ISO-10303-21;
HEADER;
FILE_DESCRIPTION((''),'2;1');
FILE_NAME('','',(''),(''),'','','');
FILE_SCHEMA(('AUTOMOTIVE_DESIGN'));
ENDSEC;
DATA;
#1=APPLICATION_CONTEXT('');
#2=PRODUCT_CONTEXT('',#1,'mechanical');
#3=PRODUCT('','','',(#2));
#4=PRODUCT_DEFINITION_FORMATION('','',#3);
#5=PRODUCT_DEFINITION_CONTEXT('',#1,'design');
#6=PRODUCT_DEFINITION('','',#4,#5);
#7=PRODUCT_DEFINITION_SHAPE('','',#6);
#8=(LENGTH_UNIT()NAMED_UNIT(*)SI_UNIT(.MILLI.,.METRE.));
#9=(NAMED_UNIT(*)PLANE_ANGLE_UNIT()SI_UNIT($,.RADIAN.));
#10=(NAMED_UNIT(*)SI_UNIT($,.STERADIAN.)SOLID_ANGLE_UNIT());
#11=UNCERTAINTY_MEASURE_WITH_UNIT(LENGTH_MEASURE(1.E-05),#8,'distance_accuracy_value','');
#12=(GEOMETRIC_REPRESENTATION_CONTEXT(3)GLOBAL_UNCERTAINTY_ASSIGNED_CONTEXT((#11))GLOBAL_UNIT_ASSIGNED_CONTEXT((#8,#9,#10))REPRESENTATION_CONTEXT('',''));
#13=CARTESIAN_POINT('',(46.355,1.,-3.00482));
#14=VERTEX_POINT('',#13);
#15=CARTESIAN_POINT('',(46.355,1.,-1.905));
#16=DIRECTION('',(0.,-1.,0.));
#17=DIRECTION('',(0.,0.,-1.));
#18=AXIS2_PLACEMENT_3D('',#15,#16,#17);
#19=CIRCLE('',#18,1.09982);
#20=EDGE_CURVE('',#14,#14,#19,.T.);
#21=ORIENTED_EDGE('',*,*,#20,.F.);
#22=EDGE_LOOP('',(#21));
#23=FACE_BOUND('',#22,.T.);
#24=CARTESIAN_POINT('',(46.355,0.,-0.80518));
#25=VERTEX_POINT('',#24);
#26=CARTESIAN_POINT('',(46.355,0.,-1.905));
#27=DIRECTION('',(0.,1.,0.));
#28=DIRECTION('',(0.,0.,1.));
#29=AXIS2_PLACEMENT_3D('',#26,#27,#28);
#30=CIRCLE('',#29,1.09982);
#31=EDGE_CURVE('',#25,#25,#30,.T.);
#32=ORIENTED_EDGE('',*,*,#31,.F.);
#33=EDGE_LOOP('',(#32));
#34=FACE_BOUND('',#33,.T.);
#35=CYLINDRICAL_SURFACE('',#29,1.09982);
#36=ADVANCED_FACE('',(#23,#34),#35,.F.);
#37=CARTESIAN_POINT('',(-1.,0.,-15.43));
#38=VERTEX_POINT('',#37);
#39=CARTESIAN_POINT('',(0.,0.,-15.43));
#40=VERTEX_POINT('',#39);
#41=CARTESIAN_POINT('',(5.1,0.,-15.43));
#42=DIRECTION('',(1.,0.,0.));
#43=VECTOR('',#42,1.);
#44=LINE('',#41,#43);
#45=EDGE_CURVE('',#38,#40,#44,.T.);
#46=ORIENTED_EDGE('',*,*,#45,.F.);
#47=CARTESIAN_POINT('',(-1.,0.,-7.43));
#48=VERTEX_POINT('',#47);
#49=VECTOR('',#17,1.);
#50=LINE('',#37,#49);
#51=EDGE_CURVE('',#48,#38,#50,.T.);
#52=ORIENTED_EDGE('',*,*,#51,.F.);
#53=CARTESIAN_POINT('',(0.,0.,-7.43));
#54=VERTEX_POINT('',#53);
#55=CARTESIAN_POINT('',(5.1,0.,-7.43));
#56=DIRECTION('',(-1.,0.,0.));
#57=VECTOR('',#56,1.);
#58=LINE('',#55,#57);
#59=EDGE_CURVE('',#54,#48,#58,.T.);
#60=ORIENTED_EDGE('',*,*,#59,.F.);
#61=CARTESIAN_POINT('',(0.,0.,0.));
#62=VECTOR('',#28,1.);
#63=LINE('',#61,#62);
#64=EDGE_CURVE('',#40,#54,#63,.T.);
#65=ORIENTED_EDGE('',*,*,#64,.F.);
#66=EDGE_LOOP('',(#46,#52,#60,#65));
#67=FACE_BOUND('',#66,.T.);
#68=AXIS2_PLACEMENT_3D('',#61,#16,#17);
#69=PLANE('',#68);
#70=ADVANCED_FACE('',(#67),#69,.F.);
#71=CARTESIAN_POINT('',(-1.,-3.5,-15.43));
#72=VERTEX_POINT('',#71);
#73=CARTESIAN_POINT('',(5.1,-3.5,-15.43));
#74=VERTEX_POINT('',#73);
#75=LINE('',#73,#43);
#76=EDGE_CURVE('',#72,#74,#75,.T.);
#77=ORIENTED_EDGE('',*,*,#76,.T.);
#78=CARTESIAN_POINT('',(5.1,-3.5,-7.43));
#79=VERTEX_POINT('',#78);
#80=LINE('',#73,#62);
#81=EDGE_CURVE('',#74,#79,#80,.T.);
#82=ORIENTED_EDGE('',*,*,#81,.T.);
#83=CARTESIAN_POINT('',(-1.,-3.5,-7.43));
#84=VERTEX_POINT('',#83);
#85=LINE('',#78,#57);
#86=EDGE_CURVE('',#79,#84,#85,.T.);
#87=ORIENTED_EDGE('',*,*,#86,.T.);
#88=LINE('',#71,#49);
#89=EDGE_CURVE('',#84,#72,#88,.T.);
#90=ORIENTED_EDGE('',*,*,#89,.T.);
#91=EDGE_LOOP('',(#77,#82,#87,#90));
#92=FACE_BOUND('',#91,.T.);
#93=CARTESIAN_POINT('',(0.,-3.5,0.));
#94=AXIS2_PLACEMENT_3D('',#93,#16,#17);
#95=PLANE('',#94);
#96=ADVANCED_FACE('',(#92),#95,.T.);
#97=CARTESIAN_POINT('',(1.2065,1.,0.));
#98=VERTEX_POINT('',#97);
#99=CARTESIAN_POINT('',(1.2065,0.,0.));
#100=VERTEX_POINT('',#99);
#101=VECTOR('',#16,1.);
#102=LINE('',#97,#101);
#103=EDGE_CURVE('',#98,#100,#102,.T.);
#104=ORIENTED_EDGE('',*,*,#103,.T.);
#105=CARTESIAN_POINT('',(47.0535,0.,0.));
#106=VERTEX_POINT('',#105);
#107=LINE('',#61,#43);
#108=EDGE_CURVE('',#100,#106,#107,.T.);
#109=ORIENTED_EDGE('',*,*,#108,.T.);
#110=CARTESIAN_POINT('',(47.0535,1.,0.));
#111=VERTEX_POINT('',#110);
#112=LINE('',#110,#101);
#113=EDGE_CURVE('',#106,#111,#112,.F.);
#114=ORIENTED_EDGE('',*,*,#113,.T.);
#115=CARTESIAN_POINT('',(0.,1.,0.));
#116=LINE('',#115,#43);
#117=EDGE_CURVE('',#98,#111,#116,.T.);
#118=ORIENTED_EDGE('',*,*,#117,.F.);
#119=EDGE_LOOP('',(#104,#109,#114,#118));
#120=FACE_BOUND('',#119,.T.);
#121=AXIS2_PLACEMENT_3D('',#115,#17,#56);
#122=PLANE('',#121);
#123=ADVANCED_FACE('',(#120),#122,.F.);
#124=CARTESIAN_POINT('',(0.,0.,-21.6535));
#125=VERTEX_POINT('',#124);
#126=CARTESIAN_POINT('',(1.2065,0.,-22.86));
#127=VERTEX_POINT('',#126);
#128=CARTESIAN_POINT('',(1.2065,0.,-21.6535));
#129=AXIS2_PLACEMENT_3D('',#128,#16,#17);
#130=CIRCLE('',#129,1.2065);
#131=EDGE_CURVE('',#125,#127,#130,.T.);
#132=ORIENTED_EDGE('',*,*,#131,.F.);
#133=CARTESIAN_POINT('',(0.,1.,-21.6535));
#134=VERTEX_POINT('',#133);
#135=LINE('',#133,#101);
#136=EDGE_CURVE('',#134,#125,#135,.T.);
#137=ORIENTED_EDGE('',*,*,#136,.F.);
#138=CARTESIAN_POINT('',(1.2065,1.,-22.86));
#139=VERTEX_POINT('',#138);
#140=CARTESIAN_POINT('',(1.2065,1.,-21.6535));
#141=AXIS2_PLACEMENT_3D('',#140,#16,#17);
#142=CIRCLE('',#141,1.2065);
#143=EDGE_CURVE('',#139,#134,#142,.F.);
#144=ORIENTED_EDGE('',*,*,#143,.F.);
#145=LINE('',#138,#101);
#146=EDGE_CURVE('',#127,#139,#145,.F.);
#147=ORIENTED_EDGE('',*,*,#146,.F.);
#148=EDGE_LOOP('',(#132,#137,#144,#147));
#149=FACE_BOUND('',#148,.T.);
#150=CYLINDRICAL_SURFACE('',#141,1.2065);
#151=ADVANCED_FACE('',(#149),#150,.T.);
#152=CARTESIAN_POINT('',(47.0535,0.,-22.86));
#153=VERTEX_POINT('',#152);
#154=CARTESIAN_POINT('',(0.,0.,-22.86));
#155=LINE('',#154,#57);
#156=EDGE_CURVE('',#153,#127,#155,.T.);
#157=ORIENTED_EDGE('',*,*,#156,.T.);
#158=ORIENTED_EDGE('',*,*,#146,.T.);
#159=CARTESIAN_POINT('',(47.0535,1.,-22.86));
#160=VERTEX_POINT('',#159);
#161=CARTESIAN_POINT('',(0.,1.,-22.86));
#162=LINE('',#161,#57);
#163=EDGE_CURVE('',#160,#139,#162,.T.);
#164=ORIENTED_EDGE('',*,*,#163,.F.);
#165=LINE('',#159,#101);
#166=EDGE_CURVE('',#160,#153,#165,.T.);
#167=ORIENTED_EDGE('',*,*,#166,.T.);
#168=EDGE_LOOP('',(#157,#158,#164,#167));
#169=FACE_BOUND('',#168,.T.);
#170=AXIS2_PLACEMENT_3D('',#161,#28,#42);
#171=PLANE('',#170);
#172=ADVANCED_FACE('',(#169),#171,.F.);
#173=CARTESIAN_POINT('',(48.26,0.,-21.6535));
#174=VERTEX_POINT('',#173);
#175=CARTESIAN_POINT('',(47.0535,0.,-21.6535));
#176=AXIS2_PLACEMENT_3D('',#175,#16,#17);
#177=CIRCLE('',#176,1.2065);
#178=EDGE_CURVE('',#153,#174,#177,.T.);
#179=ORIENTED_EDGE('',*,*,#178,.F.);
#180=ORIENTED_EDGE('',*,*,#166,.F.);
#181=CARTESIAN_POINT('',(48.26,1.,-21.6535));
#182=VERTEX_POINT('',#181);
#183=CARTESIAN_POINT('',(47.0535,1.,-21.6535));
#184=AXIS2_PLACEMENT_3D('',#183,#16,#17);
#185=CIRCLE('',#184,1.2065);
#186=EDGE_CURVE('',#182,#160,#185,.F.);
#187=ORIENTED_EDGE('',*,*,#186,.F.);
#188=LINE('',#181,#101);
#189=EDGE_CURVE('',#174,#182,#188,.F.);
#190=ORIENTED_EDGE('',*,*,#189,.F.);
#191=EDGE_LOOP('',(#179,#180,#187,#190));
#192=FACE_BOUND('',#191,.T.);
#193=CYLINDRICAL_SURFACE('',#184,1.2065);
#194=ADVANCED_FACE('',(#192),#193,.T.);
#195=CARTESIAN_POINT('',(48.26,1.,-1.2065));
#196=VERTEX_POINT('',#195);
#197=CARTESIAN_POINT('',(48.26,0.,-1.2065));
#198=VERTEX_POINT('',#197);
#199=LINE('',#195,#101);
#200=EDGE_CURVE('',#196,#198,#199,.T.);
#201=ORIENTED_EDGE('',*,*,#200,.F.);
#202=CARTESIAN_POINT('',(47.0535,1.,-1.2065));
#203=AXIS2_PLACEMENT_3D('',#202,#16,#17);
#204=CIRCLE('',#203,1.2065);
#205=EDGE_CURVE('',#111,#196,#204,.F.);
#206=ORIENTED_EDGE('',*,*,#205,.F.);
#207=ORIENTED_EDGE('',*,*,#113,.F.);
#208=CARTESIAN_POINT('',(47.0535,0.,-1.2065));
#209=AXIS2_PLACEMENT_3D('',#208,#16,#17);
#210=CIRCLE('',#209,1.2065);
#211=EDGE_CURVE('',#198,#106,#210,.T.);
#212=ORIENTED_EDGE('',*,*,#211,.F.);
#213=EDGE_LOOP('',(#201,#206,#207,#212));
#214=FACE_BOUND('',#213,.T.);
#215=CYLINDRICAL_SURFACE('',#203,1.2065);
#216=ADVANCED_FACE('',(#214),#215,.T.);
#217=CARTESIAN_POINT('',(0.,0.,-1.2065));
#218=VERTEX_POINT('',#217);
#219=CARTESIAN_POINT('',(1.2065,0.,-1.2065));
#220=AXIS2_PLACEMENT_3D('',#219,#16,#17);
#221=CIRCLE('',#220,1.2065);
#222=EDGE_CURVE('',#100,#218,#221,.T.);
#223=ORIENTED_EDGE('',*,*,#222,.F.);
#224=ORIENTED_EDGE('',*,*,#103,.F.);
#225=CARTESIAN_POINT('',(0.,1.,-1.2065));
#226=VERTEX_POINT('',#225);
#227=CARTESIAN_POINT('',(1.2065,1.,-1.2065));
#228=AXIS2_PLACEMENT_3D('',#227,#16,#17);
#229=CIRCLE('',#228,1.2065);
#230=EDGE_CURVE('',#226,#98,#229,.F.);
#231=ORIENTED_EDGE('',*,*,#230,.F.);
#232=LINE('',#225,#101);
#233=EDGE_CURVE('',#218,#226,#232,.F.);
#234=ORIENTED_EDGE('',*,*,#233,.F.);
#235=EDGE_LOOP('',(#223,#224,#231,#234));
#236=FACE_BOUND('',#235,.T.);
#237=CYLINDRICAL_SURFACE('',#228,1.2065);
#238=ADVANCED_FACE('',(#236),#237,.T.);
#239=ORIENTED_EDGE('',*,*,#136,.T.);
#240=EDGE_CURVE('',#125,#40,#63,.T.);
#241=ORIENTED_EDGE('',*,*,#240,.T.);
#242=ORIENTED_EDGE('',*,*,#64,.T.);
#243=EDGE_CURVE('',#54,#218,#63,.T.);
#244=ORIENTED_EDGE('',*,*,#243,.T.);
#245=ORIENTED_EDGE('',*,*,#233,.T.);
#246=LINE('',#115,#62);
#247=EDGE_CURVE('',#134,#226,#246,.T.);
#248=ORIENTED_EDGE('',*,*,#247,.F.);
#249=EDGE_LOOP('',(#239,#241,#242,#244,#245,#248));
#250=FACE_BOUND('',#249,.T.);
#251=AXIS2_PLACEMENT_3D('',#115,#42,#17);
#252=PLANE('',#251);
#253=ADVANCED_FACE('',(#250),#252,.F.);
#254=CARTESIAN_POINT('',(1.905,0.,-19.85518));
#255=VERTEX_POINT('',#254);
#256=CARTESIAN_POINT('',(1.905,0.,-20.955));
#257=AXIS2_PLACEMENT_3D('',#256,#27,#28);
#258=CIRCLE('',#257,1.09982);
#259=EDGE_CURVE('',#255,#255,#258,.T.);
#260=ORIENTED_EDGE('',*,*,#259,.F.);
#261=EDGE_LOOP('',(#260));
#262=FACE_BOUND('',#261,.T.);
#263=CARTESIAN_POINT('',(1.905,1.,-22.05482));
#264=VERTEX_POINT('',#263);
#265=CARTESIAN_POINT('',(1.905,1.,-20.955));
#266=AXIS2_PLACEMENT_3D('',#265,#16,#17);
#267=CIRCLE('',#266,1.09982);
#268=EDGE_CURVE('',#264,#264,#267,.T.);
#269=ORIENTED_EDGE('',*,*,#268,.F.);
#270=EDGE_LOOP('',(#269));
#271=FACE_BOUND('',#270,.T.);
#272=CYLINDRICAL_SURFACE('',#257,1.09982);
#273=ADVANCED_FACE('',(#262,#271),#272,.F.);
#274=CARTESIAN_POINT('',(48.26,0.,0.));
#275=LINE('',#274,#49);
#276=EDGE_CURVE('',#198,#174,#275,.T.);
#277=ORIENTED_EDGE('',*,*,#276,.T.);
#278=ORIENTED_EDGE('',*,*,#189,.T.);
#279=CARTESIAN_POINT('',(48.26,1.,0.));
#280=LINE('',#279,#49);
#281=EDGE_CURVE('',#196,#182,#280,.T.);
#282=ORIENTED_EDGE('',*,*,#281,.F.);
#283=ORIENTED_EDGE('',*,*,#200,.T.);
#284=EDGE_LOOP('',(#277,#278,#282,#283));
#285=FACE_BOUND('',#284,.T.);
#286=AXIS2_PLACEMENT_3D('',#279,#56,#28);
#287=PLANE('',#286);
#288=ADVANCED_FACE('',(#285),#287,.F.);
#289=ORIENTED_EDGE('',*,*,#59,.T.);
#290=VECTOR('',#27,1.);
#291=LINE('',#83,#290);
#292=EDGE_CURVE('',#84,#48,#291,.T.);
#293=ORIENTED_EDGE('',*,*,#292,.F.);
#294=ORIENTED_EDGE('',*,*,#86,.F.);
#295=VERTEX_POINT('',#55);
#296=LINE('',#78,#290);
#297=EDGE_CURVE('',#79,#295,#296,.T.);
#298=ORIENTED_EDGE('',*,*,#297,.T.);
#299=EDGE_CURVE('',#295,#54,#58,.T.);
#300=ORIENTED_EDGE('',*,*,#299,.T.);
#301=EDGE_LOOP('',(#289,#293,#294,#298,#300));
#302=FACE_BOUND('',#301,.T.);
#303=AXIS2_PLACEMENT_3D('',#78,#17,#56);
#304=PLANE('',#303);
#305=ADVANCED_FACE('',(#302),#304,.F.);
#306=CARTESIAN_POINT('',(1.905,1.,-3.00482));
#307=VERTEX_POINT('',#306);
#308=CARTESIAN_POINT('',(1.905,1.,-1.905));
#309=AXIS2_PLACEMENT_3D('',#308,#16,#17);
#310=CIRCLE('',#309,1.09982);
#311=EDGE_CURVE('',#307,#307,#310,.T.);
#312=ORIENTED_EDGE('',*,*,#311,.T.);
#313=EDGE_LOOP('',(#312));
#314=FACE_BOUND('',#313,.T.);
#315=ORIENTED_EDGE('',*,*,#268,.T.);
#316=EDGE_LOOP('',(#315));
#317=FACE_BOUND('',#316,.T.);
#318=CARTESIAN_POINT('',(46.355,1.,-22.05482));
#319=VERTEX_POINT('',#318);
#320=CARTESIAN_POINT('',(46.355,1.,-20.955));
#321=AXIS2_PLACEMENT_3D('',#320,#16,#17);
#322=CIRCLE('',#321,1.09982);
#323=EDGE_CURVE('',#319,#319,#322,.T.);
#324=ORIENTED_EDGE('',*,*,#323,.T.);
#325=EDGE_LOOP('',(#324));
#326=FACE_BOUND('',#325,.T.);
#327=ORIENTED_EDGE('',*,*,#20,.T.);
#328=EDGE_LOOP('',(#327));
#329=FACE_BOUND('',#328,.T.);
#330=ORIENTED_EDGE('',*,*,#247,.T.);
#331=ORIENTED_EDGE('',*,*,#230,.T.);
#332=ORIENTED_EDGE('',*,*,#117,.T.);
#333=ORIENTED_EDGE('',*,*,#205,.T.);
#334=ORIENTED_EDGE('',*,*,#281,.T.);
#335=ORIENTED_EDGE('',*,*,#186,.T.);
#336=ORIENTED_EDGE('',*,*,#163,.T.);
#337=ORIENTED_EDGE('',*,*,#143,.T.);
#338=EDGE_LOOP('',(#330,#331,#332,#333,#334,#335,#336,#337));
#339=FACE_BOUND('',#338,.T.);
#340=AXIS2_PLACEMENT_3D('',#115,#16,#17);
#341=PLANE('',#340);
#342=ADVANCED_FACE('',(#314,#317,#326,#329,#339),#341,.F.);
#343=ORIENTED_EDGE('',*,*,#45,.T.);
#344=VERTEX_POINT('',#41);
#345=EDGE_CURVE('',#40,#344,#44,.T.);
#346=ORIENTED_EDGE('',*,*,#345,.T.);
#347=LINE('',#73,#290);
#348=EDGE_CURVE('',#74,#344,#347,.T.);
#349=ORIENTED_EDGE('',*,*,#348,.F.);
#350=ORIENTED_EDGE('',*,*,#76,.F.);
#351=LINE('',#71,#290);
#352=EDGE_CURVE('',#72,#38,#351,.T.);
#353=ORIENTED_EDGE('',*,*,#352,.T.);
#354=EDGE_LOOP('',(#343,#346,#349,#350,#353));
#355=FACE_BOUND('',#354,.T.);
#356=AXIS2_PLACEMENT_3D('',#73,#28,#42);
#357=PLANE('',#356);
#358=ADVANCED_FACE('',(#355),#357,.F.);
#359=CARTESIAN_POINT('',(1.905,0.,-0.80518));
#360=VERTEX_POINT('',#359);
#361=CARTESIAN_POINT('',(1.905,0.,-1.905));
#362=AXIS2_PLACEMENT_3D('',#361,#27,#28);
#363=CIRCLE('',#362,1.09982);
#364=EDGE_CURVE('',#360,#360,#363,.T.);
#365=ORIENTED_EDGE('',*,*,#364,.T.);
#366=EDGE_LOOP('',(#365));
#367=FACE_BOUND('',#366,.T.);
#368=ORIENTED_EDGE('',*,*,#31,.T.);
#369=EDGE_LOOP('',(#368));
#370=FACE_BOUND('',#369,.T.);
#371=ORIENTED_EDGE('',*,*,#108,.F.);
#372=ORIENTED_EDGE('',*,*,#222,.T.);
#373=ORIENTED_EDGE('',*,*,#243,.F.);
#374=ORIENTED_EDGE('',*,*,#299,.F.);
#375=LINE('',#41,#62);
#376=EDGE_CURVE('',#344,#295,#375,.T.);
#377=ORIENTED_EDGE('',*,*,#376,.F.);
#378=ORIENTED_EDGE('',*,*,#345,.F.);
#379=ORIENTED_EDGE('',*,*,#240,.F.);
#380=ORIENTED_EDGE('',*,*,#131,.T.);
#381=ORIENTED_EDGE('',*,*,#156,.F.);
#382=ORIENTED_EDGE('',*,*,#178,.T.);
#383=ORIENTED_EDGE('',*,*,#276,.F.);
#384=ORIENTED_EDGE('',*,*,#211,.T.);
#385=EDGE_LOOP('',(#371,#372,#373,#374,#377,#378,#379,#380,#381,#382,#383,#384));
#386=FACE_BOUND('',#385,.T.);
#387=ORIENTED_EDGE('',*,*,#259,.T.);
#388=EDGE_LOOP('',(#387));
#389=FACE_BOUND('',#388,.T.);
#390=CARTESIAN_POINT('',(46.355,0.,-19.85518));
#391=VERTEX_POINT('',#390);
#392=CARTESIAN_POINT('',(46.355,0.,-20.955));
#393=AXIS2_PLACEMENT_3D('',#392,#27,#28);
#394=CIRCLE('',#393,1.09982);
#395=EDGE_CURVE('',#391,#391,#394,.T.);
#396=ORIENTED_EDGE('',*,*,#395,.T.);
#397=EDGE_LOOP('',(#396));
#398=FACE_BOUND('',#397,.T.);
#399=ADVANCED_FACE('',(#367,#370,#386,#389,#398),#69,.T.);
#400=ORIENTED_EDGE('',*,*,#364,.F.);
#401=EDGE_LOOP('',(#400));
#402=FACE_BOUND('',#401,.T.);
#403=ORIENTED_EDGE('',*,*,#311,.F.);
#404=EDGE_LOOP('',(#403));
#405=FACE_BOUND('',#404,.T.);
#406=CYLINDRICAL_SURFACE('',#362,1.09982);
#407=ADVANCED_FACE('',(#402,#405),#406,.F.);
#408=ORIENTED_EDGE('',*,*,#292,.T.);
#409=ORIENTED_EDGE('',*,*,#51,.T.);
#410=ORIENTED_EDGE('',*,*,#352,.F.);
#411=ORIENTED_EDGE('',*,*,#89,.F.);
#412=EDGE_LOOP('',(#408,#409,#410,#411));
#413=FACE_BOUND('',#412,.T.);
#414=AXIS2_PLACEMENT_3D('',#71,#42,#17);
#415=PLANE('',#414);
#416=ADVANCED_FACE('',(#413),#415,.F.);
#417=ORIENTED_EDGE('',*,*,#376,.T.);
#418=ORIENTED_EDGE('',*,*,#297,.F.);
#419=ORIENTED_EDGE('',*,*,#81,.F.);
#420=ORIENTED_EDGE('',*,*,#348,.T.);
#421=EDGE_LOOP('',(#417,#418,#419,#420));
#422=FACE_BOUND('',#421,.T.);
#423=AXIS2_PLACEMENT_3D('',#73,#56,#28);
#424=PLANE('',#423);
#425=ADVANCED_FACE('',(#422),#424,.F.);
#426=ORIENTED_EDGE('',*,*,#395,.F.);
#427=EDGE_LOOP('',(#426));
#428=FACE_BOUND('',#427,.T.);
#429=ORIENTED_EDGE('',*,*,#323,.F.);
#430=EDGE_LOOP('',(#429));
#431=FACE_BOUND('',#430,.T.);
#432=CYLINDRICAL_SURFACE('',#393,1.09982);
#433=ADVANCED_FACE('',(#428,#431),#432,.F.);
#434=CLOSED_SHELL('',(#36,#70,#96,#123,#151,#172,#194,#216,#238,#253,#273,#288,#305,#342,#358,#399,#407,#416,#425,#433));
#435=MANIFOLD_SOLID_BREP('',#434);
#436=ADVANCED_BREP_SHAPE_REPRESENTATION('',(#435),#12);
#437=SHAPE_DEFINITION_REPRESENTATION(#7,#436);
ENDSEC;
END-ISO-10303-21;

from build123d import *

# Parameters (mm, degrees)
SKETCH1_W               = 48.26
SKETCH1_H               = 22.86
BOSS_EXTRUDE1_DEPTH     = 1
SKETCH2_R               = 1.09982
CUT_EXTRUDE1_DEPTH      = 1
CUT_EXTRUDE1_DEPTH_BACK = 2
FILLET1_R               = 1.2065
SKETCH3_W               = 6.1
SKETCH3_H               = 8
BOSS_EXTRUDE2_DEPTH     = 3.5


with BuildPart() as part:
    # Sketch1 → Boss-Extrude1 (new body)
    with BuildSketch(Plane(origin=(0, 0, 0), x_dir=(1, 0, 0), z_dir=(0, 1, 0))):
        with Locations((24.13, 11.43)):
            Rectangle(SKETCH1_W, SKETCH1_H)
    extrude(amount=BOSS_EXTRUDE1_DEPTH)

    # Sketch2 → Cut-Extrude1 (cut, two sides)
    with BuildSketch(Plane(origin=(0, 1, 0), x_dir=(1, 0, 0), z_dir=(0, 1, 0))) as cut_extrude1_sk:
        with Locations((1.905, 20.955)):
            Circle(SKETCH2_R)
        with Locations((1.905, 1.905)):
            Circle(SKETCH2_R)
        with Locations((46.355, 1.905)):
            Circle(SKETCH2_R)
        with Locations((46.355, 20.955)):
            Circle(SKETCH2_R)
    extrude(amount=CUT_EXTRUDE1_DEPTH, mode=Mode.SUBTRACT)
    extrude(cut_extrude1_sk.sketch, amount=-CUT_EXTRUDE1_DEPTH_BACK, mode=Mode.SUBTRACT)

    # Fillet1
    fillet1_edges = [part.edges().sort_by_distance(p)[0] for p in [
        (0, 0.5, -22.86),
        (48.26, 0.5, -22.86),
        (48.26, 0.5, 0),
        (0, 0.5, 0),
    ]]
    fillet(fillet1_edges, radius=FILLET1_R)

    # Sketch3 → Boss-Extrude2 (add)
    with BuildSketch(Plane.XZ):
        with Locations((2.05, -11.43)):
            Rectangle(SKETCH3_W, SKETCH3_H)
    extrude(amount=BOSS_EXTRUDE2_DEPTH)


solid = part.part
